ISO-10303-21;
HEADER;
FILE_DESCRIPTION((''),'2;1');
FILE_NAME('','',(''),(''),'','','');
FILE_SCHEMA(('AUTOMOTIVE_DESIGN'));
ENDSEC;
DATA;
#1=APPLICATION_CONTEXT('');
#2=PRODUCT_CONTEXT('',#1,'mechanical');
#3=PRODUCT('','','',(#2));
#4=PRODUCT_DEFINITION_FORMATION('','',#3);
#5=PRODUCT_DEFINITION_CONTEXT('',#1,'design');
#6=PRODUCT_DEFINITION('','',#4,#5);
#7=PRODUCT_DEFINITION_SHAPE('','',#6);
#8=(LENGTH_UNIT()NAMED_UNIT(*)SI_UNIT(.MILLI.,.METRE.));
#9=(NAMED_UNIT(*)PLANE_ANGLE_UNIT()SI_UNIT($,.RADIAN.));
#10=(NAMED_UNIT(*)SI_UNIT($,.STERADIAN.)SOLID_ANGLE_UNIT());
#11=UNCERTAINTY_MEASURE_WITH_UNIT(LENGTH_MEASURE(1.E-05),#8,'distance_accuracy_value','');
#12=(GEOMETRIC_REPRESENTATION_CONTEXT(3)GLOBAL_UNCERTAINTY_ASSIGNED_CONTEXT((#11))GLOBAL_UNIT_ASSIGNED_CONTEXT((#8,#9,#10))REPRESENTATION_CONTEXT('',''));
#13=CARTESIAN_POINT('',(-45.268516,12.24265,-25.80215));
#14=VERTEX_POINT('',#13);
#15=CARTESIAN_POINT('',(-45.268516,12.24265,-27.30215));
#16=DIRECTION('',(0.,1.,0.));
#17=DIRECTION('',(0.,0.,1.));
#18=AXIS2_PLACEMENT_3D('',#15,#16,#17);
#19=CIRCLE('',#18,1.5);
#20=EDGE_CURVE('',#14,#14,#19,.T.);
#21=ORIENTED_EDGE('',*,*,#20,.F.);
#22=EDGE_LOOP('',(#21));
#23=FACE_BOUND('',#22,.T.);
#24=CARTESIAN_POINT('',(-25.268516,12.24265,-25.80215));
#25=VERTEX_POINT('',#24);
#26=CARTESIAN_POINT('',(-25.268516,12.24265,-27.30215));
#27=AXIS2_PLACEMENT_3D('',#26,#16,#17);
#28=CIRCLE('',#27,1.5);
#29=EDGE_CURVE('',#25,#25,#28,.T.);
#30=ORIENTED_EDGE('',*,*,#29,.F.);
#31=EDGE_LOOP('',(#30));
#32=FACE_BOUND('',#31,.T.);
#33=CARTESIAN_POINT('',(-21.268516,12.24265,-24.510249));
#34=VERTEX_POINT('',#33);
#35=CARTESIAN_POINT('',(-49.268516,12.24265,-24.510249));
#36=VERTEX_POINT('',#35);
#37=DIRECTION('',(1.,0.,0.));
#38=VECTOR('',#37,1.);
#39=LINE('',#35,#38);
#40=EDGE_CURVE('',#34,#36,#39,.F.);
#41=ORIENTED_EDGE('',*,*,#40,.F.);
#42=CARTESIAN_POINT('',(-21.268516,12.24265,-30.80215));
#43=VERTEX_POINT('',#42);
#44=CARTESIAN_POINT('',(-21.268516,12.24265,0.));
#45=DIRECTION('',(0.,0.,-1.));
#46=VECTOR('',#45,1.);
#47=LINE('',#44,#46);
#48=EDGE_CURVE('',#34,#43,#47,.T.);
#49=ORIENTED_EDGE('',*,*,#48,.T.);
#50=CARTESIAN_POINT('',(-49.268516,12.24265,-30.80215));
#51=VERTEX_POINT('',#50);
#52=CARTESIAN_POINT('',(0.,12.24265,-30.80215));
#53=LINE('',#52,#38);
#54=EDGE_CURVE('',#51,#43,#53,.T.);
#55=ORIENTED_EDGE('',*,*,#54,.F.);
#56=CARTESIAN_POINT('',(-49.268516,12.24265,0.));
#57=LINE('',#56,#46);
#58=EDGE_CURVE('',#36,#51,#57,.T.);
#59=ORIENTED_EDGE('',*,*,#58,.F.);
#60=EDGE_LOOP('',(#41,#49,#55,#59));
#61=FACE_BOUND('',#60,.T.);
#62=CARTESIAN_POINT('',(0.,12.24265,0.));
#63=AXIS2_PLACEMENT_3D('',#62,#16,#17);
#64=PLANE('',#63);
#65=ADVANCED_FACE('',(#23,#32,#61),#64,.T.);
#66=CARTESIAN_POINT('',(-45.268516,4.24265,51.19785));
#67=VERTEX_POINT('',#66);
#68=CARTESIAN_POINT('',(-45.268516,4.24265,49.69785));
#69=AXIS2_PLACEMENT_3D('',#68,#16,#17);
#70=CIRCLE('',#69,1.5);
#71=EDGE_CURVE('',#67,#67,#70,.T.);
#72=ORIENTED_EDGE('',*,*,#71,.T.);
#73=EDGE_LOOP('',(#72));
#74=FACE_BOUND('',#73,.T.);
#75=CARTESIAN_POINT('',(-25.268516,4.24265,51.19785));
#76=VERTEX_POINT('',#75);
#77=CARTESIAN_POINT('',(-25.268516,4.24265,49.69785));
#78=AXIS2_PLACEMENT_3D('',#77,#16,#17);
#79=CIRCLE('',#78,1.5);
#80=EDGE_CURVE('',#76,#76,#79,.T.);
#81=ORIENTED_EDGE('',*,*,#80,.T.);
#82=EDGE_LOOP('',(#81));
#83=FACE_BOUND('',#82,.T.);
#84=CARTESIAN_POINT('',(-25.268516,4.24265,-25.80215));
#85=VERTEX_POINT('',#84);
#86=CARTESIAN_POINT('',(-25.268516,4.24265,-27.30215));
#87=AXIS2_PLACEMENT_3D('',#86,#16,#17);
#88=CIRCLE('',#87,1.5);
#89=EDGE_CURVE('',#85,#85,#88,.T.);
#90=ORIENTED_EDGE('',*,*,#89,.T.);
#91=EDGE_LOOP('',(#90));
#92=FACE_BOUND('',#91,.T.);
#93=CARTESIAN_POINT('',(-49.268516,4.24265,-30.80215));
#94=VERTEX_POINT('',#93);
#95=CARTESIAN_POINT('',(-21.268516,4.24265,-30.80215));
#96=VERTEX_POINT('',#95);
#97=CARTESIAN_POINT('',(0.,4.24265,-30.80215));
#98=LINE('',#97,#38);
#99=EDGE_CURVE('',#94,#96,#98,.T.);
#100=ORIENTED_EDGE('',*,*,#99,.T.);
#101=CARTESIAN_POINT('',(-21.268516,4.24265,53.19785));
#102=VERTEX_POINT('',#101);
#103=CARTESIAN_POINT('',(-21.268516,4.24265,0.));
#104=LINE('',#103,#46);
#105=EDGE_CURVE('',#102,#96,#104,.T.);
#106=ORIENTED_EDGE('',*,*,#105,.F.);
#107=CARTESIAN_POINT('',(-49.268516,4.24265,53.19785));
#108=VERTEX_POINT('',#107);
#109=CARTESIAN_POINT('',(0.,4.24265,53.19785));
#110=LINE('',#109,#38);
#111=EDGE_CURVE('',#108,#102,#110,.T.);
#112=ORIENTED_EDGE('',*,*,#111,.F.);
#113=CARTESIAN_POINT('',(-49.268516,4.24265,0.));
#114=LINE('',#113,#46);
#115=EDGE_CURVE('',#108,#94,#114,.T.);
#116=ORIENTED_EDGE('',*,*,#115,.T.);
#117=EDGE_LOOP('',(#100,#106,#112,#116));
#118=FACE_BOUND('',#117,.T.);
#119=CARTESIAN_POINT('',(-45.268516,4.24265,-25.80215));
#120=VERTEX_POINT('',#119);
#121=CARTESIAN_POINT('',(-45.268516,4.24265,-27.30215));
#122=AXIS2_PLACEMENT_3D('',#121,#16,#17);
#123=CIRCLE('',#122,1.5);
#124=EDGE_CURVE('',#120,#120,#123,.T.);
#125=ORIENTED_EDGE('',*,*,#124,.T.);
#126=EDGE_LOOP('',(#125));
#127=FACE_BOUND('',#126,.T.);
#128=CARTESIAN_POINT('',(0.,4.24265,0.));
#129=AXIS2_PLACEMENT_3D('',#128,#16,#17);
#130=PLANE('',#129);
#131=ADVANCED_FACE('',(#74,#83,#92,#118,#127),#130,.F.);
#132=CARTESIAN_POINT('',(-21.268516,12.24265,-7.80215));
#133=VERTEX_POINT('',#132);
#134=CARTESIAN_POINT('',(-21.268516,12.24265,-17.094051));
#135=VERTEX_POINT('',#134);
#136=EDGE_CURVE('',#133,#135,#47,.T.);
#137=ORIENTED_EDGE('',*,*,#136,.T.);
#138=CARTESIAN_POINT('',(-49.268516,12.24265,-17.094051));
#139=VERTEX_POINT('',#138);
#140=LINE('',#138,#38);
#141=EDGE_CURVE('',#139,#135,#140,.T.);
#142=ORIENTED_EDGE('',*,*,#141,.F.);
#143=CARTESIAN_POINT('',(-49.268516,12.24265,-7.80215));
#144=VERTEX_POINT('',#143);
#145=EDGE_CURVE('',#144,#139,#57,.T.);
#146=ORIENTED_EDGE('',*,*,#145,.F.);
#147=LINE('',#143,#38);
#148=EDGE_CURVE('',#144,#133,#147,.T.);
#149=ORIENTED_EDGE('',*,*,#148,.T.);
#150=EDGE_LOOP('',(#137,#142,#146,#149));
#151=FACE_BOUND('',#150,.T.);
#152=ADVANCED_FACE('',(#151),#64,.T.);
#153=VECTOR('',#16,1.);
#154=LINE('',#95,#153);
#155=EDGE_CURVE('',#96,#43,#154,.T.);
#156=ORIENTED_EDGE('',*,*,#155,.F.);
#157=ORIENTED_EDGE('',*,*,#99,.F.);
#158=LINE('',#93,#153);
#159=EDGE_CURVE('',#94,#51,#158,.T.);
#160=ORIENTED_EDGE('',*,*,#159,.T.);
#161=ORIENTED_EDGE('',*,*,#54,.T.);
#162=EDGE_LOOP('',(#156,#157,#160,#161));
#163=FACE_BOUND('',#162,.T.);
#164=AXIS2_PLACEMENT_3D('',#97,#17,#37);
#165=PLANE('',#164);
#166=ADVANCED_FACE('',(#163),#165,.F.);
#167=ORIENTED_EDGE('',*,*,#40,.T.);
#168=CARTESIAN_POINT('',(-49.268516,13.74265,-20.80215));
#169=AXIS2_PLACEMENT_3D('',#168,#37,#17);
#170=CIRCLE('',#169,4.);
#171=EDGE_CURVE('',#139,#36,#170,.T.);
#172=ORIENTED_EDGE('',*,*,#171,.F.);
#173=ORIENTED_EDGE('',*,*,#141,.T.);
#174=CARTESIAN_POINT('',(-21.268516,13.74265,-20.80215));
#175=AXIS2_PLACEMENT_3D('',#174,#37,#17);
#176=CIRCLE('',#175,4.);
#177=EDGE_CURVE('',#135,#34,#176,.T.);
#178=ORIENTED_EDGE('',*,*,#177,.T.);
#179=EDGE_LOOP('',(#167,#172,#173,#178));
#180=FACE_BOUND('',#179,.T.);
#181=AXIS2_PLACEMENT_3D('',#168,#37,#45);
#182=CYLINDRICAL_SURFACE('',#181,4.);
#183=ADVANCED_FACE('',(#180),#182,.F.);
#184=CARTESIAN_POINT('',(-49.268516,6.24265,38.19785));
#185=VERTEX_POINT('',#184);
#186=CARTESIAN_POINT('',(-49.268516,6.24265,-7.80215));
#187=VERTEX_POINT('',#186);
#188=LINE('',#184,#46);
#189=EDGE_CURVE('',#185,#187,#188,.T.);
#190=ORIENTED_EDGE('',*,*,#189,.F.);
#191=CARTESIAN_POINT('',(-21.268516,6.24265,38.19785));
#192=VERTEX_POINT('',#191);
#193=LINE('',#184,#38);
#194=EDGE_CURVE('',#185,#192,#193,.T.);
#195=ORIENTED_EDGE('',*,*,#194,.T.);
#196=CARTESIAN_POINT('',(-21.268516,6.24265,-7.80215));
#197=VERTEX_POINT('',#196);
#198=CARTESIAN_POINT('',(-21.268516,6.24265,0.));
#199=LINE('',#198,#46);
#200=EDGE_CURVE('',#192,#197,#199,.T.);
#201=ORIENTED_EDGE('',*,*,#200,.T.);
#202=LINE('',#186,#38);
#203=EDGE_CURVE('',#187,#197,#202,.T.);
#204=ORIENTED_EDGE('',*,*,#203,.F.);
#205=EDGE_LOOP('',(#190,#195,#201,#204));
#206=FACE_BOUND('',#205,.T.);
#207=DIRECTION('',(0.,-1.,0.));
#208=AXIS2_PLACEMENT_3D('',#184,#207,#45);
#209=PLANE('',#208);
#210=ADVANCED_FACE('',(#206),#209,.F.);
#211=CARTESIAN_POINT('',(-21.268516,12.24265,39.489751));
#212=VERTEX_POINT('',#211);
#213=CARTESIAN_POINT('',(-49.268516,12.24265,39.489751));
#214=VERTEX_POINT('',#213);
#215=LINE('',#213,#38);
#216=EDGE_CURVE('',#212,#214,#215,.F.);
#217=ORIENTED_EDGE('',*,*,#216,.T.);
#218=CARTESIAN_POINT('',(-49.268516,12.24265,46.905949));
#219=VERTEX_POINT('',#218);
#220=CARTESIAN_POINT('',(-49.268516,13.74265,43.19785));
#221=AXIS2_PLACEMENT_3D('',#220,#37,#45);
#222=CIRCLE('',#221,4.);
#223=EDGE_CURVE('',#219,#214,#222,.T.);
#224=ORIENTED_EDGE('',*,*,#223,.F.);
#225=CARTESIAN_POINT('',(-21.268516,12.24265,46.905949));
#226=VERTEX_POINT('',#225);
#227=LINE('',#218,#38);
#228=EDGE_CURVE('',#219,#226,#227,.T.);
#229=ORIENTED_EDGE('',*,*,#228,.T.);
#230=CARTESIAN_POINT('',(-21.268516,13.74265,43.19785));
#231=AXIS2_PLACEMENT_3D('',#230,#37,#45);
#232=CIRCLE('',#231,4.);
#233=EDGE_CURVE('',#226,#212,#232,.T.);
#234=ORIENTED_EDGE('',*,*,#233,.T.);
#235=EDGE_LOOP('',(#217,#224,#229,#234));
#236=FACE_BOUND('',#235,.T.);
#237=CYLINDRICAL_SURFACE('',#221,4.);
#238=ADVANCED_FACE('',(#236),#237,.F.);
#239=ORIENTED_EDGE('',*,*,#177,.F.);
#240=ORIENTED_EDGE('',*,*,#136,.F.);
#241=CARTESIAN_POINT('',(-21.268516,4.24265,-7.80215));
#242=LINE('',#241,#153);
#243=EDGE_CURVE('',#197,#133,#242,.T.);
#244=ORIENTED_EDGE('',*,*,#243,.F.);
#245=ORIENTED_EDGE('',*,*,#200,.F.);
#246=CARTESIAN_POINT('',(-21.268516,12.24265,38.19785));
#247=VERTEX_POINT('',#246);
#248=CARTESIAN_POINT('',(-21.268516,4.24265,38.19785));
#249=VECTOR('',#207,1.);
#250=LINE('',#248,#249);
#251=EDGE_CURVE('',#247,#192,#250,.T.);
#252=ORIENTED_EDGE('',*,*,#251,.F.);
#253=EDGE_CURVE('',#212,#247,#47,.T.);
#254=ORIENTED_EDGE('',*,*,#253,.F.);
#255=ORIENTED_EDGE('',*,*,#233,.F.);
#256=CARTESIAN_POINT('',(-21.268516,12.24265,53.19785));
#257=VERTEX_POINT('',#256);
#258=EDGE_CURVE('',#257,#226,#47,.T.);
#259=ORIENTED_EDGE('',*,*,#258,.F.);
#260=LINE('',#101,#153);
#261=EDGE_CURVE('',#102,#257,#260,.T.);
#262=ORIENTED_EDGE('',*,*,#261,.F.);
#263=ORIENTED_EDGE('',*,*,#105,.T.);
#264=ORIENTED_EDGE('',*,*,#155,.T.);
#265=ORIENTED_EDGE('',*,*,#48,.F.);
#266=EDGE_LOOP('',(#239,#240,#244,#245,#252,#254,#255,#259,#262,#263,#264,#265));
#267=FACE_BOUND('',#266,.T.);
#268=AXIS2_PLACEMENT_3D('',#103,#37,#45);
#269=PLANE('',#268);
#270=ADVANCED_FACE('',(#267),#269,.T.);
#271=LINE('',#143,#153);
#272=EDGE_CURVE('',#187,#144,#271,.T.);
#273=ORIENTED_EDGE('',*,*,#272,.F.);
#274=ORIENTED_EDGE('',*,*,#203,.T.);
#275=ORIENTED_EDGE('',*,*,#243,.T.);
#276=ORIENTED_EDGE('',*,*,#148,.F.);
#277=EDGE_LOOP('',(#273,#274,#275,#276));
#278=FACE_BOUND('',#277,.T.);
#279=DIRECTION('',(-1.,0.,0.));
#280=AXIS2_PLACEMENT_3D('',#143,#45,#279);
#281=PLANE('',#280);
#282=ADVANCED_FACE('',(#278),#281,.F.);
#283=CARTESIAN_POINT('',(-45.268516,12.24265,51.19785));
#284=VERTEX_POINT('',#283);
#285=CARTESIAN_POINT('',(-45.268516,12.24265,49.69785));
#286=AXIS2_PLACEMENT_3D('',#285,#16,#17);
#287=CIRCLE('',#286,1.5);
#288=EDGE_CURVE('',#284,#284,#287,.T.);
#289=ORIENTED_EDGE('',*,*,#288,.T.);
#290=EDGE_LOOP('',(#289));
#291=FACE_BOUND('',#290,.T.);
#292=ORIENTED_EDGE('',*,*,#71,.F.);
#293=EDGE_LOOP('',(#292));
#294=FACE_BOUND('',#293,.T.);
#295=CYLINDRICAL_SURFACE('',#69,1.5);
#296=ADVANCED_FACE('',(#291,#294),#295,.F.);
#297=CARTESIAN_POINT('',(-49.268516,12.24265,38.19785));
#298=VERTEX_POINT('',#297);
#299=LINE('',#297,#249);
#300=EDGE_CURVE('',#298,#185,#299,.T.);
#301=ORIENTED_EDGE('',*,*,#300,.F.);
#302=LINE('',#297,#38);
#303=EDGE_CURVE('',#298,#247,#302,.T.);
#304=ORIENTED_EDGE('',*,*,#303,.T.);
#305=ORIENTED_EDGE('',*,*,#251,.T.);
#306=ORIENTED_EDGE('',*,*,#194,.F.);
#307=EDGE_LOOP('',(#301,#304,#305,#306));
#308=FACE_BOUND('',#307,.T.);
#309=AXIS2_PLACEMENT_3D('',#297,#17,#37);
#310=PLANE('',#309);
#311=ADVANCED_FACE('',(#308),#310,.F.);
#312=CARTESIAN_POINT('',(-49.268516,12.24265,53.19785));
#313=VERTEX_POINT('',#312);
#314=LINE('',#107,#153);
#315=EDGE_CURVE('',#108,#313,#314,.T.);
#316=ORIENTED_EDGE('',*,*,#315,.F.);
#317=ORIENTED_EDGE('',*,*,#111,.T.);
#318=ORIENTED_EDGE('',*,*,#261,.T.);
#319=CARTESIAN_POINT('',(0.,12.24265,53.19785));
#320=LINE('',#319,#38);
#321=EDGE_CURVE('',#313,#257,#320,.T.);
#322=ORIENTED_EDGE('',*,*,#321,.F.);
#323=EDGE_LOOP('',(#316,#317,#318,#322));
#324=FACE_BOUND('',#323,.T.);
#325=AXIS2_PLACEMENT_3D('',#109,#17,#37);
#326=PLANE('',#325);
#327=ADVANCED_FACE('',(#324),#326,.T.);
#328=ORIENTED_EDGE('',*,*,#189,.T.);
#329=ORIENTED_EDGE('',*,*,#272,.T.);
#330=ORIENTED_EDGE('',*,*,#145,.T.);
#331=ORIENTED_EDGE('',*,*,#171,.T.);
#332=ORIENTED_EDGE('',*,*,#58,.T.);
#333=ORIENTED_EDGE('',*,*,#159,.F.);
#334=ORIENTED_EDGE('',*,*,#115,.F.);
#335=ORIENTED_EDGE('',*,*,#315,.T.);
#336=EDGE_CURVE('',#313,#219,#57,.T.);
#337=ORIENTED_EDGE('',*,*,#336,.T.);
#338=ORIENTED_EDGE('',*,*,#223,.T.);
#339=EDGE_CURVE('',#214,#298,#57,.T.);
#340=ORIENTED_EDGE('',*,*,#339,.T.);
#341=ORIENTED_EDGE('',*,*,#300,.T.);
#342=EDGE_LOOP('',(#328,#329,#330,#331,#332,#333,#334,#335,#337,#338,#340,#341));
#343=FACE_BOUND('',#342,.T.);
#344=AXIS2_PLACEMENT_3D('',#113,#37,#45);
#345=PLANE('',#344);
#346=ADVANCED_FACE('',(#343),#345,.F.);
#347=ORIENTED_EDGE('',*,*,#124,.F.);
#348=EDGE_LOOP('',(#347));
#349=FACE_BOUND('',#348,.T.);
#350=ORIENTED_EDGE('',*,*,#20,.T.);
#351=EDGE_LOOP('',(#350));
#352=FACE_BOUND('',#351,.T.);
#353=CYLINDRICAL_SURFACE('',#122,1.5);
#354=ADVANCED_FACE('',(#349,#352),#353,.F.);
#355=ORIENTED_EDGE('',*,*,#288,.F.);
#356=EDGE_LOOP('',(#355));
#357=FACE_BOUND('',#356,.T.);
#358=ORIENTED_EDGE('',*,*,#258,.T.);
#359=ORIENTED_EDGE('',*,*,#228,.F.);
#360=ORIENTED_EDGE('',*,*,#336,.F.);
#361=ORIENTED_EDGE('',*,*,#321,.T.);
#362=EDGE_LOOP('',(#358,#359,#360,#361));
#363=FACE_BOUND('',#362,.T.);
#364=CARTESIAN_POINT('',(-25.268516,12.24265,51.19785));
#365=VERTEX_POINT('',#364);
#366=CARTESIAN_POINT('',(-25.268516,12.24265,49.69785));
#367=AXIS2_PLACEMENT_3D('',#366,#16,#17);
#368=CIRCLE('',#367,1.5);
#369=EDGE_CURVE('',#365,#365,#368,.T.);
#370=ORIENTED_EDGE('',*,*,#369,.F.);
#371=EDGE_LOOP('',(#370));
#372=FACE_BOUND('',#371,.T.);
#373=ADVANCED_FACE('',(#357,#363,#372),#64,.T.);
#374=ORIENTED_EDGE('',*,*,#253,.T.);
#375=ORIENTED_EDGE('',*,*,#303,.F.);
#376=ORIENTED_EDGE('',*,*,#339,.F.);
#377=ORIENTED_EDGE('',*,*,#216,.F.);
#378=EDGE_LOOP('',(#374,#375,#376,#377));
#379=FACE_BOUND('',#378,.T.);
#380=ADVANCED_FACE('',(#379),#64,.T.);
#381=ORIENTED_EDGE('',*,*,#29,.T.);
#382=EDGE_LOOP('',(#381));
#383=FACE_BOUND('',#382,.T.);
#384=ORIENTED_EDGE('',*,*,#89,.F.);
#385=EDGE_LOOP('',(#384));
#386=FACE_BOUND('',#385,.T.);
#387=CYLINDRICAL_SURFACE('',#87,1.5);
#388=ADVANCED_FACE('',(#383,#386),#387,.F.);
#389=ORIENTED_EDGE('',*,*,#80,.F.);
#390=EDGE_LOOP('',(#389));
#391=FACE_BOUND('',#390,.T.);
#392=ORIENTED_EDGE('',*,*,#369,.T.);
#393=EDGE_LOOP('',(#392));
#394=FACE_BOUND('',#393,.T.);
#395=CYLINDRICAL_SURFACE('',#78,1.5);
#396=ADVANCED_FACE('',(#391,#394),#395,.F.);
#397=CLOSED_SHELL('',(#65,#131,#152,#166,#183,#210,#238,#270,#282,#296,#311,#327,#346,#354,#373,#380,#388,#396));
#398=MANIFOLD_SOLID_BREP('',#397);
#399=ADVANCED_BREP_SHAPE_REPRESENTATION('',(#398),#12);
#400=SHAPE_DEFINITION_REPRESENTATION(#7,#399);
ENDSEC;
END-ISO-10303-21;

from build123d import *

# Parameters (mm, degrees)
SKETCH1_R               = 1.5
SKETCH1_W               = 28
SKETCH1_H               = 54
BOSS_EXTRUDE1_DEPTH     = 8
SKETCH4_W               = 46
SKETCH4_H               = 6
CUT_EXTRUDE1_DEPTH      = 1
CUT_EXTRUDE1_DEPTH_BACK = 29
SKETCH5_R               = 4
CUT_EXTRUDE2_DEPTH      = 1
CUT_EXTRUDE2_DEPTH_BACK = 29


with BuildPart() as part:
    # Sketch1 → Boss-Extrude1 (new body)
    with BuildSketch(Plane(origin=(0, 12.242650433, 0), x_dir=(1, 0, 0), z_dir=(0, 1, 0))):
        Polygon((-49.268515773, 16.802150236), (-49.268515773, 15.802150236), (-21.268515773, 15.802150236), (-21.268515773, 16.802150236), (-21.268515773, 17.094050992), (-21.268515773, 24.510249479), (-21.268515773, 24.802150236), (-21.268515773, 30.802150236), (-49.268515773, 30.802150236), (-49.268515773, 24.802150236), (-49.268515773, 24.510249479), (-49.268515773, 17.094050992), align=None)
        with Locations((-45.268515773, 27.302150236)):
            Circle(SKETCH1_R, mode=Mode.SUBTRACT)
        with Locations((-25.268515773, 27.302150236)):
            Circle(SKETCH1_R, mode=Mode.SUBTRACT)
        with Locations((-35.268515773, -11.197849764)):
            Rectangle(SKETCH1_W, SKETCH1_H)
        Polygon((-49.268515773, -47.197849764), (-49.268515773, -53.197849764), (-21.268515773, -53.197849764), (-21.268515773, -47.197849764), (-21.268515773, -46.905949008), (-21.268515773, -39.489750521), (-21.268515773, -39.197849764), (-21.268515773, -38.197849764), (-49.268515773, -38.197849764), (-49.268515773, -39.197849764), (-49.268515773, -39.489750521), (-49.268515773, -46.905949008), align=None)
        with Locations((-45.268515773, -49.697849764)):
            Circle(SKETCH1_R, mode=Mode.SUBTRACT)
        with Locations((-25.268515773, -49.697849764)):
            Circle(SKETCH1_R, mode=Mode.SUBTRACT)
    extrude(amount=-BOSS_EXTRUDE1_DEPTH)

    # Sketch4 → Cut-Extrude1 (cut, two sides)
    with BuildSketch(Plane(origin=(-21.268515773, 0, 0), x_dir=(0, 0, -1), z_dir=(1, 0, 0))) as cut_extrude1_sk:
        with Locations((-15.197849764, 9.242650433)):
            Rectangle(SKETCH4_W, SKETCH4_H)
    extrude(amount=CUT_EXTRUDE1_DEPTH, mode=Mode.SUBTRACT)
    extrude(cut_extrude1_sk.sketch, amount=-CUT_EXTRUDE1_DEPTH_BACK, mode=Mode.SUBTRACT)

    # Sketch5 → Cut-Extrude2 (cut, two sides)
    with BuildSketch(Plane(origin=(-21.268515773, 0, 0), x_dir=(0, 0, -1), z_dir=(1, 0, 0))) as cut_extrude2_sk:
        with Locations((-43.197849764, 13.742650433)):
            Circle(SKETCH5_R)
        with Locations((20.802150236, 13.742650433)):
            Circle(SKETCH5_R)
    extrude(amount=CUT_EXTRUDE2_DEPTH, mode=Mode.SUBTRACT)
    extrude(cut_extrude2_sk.sketch, amount=-CUT_EXTRUDE2_DEPTH_BACK, mode=Mode.SUBTRACT)


solid = part.part
